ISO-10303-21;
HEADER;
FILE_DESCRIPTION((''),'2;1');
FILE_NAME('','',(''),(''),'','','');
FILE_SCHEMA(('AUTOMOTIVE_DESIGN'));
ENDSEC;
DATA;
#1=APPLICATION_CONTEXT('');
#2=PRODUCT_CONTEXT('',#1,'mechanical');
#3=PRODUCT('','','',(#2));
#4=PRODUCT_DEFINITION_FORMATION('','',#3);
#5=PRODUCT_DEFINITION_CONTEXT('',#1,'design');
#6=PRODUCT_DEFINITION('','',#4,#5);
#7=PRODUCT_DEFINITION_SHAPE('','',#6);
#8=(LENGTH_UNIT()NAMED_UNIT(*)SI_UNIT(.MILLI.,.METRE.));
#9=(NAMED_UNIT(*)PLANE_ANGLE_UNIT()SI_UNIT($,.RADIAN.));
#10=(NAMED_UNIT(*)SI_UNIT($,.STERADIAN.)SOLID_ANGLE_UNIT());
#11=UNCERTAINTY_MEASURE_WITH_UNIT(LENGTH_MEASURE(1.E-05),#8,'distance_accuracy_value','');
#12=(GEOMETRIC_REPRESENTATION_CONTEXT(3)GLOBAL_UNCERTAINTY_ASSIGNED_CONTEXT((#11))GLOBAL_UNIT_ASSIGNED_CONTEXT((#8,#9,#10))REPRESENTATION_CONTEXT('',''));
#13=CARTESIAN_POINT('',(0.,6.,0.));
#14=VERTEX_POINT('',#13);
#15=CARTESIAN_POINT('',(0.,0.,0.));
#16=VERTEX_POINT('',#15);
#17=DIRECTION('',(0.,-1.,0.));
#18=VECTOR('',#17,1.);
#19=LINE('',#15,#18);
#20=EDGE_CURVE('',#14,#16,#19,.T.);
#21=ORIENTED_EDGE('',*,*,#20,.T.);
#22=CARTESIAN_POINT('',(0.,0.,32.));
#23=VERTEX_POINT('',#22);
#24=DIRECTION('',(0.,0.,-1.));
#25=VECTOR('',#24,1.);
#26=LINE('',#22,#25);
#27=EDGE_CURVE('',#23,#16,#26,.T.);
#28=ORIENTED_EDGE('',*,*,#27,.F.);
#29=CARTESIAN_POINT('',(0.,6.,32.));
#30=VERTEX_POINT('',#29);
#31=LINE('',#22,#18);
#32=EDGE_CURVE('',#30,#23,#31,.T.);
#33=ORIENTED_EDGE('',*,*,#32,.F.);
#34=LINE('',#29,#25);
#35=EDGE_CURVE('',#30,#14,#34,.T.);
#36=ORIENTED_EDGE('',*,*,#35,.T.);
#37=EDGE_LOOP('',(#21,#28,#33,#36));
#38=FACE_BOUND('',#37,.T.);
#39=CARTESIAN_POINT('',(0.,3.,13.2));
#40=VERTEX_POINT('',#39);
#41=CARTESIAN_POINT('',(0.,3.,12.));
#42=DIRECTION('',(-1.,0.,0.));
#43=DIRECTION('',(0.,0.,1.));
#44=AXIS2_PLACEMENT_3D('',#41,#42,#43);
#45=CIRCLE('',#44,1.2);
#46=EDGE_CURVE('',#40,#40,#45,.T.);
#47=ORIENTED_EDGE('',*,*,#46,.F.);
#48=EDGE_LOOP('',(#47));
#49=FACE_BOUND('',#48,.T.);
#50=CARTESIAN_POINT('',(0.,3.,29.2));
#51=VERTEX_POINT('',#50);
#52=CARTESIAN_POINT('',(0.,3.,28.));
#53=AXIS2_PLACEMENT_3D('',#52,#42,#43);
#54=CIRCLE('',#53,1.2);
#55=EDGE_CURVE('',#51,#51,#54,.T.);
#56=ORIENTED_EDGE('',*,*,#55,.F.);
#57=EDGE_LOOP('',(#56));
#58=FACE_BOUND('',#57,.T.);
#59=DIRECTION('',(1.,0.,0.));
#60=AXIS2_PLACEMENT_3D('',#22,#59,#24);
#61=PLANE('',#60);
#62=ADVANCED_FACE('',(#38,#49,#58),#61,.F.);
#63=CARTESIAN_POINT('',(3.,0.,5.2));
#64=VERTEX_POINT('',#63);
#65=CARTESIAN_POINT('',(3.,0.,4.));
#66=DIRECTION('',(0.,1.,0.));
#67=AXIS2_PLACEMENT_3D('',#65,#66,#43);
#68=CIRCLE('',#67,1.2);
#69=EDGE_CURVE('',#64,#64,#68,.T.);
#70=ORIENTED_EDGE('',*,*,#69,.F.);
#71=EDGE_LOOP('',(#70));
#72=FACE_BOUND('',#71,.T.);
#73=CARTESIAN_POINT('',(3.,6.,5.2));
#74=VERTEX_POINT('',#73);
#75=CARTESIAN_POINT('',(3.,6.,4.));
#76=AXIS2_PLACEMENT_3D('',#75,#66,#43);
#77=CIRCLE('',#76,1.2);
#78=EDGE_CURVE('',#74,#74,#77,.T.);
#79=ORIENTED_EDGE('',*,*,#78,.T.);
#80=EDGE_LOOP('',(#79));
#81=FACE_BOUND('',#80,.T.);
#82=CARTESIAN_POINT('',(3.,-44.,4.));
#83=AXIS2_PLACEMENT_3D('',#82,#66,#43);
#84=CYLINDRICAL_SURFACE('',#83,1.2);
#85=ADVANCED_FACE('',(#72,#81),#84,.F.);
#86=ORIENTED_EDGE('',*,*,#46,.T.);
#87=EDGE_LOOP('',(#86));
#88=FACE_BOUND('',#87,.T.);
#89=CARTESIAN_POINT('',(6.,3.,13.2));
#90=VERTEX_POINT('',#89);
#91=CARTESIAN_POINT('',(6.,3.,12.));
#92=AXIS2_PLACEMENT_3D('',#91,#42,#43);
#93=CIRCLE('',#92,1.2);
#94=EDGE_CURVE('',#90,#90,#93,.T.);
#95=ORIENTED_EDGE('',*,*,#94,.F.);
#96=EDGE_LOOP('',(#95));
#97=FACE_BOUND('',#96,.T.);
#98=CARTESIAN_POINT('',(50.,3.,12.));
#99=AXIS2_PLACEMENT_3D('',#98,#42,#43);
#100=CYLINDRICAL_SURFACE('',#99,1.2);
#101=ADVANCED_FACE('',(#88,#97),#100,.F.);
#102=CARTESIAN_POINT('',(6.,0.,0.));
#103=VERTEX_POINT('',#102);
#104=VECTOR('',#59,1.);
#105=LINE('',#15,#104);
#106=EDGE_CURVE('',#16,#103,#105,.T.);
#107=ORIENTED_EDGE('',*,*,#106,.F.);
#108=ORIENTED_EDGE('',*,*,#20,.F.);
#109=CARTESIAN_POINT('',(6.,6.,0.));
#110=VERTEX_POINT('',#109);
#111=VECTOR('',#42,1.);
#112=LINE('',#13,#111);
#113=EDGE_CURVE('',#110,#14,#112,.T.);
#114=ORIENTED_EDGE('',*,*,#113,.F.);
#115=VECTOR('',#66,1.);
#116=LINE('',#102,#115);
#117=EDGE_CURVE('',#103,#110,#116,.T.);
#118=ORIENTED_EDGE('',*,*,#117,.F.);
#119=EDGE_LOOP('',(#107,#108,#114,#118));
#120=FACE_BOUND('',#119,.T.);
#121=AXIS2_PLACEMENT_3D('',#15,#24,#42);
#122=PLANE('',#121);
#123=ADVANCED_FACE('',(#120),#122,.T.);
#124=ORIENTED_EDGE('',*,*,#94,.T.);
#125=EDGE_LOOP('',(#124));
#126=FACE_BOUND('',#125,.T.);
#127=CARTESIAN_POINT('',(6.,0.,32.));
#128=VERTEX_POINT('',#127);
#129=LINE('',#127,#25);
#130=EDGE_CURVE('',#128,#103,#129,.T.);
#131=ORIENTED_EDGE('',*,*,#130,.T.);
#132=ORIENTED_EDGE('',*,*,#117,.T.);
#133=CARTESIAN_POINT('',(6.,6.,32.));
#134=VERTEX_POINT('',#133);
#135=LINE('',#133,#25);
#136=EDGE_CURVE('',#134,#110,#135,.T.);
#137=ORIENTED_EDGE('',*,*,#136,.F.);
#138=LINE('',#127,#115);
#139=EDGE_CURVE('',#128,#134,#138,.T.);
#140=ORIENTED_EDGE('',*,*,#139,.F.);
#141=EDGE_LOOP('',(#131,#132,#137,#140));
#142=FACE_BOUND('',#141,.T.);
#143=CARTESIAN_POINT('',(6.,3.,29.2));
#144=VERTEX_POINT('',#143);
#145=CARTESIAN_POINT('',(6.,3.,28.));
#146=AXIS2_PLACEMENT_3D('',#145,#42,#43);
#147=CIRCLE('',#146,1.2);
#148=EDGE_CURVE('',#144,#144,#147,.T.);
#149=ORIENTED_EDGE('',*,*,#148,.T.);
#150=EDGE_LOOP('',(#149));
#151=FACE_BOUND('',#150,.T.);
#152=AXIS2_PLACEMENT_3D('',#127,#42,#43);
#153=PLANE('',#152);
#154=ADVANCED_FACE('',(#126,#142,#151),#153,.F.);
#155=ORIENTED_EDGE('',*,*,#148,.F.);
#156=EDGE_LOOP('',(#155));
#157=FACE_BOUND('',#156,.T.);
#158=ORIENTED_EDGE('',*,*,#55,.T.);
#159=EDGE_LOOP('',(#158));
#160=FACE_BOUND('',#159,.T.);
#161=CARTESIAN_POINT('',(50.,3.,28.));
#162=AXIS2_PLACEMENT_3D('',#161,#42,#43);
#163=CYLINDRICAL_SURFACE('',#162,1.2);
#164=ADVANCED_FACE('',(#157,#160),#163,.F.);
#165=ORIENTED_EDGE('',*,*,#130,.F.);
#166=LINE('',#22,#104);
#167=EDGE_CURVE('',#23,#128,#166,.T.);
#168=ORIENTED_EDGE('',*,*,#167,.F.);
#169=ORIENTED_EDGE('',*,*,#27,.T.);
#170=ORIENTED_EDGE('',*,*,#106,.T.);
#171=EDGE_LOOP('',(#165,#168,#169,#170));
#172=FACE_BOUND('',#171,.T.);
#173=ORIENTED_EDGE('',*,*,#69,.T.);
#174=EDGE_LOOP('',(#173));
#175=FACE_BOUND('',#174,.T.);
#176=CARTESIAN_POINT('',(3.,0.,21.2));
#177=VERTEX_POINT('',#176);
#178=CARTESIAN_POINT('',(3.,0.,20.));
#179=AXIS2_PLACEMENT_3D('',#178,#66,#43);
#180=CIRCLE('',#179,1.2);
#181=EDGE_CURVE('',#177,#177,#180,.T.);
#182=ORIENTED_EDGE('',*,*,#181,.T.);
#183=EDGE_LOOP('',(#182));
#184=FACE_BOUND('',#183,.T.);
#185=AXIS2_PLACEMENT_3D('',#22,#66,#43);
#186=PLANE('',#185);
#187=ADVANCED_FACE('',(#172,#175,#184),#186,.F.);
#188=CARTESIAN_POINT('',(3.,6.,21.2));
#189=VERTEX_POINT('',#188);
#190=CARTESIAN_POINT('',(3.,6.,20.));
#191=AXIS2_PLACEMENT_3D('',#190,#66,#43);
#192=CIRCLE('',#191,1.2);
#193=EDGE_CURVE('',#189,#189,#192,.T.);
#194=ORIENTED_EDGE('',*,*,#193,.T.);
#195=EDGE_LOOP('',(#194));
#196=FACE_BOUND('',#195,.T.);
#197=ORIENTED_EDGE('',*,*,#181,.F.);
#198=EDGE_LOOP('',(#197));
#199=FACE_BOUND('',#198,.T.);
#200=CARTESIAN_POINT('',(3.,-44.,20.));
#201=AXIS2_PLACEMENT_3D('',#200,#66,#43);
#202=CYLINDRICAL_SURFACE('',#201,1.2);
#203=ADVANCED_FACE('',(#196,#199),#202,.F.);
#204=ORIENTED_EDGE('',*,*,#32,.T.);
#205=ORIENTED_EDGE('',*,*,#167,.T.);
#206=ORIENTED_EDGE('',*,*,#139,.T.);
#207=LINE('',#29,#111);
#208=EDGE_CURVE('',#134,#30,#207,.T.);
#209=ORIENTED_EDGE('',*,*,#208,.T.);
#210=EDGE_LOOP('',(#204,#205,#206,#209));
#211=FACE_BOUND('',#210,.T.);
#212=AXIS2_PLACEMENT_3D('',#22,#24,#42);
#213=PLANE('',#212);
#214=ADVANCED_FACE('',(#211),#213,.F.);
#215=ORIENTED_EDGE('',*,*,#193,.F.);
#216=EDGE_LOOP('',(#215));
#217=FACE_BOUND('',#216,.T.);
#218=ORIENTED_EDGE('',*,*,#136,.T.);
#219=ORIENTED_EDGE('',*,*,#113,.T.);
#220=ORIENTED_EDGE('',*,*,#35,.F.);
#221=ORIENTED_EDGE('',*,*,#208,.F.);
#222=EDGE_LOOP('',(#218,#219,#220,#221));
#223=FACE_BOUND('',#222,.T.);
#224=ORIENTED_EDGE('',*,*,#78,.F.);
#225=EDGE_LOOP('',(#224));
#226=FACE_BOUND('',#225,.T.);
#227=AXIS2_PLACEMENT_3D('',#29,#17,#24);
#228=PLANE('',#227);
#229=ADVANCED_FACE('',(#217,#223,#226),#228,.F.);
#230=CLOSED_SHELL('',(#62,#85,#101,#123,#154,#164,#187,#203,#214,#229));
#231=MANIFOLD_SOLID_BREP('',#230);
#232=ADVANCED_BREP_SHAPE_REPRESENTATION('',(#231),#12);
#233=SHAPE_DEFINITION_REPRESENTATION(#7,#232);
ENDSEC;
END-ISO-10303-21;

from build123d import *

# Parameters (mm, degrees)
SKETCH_1_W          = 6
SKETCH_1_H          = 6
EXTRUDE_1_DEPTH     = 32
SKETCH_2_R          = 1.2
CUT_EXTRUDE_1_DEPTH = 50
SKETCH_3_R          = 1.2
CUT_EXTRUDE_2_DEPTH = 50


with BuildPart() as part:
    # 草图1 → 凸台-拉伸1 (new body)
    with BuildSketch(Plane.XY):
        with Locations((3, 3)):
            Rectangle(SKETCH_1_W, SKETCH_1_H)
    extrude(amount=EXTRUDE_1_DEPTH)

    # 草图2 → 切除-拉伸1 (cut)
    with BuildSketch(Plane(origin=(0, 6, 0), x_dir=(1, 0, 0), z_dir=(0, 1, 0))):
        with Locations((3, -4)):
            Circle(SKETCH_2_R)
        with Locations((3, -20)):
            Circle(SKETCH_2_R)
    extrude(amount=-CUT_EXTRUDE_1_DEPTH, mode=Mode.SUBTRACT)

    # 草图3 → 切除-拉伸2 (cut)
    with BuildSketch(Plane.ZY):
        with Locations((28, 3)):
            Circle(SKETCH_3_R)
        with Locations((12, 3)):
            Circle(SKETCH_3_R)
    extrude(amount=-CUT_EXTRUDE_2_DEPTH, mode=Mode.SUBTRACT)


solid = part.part
